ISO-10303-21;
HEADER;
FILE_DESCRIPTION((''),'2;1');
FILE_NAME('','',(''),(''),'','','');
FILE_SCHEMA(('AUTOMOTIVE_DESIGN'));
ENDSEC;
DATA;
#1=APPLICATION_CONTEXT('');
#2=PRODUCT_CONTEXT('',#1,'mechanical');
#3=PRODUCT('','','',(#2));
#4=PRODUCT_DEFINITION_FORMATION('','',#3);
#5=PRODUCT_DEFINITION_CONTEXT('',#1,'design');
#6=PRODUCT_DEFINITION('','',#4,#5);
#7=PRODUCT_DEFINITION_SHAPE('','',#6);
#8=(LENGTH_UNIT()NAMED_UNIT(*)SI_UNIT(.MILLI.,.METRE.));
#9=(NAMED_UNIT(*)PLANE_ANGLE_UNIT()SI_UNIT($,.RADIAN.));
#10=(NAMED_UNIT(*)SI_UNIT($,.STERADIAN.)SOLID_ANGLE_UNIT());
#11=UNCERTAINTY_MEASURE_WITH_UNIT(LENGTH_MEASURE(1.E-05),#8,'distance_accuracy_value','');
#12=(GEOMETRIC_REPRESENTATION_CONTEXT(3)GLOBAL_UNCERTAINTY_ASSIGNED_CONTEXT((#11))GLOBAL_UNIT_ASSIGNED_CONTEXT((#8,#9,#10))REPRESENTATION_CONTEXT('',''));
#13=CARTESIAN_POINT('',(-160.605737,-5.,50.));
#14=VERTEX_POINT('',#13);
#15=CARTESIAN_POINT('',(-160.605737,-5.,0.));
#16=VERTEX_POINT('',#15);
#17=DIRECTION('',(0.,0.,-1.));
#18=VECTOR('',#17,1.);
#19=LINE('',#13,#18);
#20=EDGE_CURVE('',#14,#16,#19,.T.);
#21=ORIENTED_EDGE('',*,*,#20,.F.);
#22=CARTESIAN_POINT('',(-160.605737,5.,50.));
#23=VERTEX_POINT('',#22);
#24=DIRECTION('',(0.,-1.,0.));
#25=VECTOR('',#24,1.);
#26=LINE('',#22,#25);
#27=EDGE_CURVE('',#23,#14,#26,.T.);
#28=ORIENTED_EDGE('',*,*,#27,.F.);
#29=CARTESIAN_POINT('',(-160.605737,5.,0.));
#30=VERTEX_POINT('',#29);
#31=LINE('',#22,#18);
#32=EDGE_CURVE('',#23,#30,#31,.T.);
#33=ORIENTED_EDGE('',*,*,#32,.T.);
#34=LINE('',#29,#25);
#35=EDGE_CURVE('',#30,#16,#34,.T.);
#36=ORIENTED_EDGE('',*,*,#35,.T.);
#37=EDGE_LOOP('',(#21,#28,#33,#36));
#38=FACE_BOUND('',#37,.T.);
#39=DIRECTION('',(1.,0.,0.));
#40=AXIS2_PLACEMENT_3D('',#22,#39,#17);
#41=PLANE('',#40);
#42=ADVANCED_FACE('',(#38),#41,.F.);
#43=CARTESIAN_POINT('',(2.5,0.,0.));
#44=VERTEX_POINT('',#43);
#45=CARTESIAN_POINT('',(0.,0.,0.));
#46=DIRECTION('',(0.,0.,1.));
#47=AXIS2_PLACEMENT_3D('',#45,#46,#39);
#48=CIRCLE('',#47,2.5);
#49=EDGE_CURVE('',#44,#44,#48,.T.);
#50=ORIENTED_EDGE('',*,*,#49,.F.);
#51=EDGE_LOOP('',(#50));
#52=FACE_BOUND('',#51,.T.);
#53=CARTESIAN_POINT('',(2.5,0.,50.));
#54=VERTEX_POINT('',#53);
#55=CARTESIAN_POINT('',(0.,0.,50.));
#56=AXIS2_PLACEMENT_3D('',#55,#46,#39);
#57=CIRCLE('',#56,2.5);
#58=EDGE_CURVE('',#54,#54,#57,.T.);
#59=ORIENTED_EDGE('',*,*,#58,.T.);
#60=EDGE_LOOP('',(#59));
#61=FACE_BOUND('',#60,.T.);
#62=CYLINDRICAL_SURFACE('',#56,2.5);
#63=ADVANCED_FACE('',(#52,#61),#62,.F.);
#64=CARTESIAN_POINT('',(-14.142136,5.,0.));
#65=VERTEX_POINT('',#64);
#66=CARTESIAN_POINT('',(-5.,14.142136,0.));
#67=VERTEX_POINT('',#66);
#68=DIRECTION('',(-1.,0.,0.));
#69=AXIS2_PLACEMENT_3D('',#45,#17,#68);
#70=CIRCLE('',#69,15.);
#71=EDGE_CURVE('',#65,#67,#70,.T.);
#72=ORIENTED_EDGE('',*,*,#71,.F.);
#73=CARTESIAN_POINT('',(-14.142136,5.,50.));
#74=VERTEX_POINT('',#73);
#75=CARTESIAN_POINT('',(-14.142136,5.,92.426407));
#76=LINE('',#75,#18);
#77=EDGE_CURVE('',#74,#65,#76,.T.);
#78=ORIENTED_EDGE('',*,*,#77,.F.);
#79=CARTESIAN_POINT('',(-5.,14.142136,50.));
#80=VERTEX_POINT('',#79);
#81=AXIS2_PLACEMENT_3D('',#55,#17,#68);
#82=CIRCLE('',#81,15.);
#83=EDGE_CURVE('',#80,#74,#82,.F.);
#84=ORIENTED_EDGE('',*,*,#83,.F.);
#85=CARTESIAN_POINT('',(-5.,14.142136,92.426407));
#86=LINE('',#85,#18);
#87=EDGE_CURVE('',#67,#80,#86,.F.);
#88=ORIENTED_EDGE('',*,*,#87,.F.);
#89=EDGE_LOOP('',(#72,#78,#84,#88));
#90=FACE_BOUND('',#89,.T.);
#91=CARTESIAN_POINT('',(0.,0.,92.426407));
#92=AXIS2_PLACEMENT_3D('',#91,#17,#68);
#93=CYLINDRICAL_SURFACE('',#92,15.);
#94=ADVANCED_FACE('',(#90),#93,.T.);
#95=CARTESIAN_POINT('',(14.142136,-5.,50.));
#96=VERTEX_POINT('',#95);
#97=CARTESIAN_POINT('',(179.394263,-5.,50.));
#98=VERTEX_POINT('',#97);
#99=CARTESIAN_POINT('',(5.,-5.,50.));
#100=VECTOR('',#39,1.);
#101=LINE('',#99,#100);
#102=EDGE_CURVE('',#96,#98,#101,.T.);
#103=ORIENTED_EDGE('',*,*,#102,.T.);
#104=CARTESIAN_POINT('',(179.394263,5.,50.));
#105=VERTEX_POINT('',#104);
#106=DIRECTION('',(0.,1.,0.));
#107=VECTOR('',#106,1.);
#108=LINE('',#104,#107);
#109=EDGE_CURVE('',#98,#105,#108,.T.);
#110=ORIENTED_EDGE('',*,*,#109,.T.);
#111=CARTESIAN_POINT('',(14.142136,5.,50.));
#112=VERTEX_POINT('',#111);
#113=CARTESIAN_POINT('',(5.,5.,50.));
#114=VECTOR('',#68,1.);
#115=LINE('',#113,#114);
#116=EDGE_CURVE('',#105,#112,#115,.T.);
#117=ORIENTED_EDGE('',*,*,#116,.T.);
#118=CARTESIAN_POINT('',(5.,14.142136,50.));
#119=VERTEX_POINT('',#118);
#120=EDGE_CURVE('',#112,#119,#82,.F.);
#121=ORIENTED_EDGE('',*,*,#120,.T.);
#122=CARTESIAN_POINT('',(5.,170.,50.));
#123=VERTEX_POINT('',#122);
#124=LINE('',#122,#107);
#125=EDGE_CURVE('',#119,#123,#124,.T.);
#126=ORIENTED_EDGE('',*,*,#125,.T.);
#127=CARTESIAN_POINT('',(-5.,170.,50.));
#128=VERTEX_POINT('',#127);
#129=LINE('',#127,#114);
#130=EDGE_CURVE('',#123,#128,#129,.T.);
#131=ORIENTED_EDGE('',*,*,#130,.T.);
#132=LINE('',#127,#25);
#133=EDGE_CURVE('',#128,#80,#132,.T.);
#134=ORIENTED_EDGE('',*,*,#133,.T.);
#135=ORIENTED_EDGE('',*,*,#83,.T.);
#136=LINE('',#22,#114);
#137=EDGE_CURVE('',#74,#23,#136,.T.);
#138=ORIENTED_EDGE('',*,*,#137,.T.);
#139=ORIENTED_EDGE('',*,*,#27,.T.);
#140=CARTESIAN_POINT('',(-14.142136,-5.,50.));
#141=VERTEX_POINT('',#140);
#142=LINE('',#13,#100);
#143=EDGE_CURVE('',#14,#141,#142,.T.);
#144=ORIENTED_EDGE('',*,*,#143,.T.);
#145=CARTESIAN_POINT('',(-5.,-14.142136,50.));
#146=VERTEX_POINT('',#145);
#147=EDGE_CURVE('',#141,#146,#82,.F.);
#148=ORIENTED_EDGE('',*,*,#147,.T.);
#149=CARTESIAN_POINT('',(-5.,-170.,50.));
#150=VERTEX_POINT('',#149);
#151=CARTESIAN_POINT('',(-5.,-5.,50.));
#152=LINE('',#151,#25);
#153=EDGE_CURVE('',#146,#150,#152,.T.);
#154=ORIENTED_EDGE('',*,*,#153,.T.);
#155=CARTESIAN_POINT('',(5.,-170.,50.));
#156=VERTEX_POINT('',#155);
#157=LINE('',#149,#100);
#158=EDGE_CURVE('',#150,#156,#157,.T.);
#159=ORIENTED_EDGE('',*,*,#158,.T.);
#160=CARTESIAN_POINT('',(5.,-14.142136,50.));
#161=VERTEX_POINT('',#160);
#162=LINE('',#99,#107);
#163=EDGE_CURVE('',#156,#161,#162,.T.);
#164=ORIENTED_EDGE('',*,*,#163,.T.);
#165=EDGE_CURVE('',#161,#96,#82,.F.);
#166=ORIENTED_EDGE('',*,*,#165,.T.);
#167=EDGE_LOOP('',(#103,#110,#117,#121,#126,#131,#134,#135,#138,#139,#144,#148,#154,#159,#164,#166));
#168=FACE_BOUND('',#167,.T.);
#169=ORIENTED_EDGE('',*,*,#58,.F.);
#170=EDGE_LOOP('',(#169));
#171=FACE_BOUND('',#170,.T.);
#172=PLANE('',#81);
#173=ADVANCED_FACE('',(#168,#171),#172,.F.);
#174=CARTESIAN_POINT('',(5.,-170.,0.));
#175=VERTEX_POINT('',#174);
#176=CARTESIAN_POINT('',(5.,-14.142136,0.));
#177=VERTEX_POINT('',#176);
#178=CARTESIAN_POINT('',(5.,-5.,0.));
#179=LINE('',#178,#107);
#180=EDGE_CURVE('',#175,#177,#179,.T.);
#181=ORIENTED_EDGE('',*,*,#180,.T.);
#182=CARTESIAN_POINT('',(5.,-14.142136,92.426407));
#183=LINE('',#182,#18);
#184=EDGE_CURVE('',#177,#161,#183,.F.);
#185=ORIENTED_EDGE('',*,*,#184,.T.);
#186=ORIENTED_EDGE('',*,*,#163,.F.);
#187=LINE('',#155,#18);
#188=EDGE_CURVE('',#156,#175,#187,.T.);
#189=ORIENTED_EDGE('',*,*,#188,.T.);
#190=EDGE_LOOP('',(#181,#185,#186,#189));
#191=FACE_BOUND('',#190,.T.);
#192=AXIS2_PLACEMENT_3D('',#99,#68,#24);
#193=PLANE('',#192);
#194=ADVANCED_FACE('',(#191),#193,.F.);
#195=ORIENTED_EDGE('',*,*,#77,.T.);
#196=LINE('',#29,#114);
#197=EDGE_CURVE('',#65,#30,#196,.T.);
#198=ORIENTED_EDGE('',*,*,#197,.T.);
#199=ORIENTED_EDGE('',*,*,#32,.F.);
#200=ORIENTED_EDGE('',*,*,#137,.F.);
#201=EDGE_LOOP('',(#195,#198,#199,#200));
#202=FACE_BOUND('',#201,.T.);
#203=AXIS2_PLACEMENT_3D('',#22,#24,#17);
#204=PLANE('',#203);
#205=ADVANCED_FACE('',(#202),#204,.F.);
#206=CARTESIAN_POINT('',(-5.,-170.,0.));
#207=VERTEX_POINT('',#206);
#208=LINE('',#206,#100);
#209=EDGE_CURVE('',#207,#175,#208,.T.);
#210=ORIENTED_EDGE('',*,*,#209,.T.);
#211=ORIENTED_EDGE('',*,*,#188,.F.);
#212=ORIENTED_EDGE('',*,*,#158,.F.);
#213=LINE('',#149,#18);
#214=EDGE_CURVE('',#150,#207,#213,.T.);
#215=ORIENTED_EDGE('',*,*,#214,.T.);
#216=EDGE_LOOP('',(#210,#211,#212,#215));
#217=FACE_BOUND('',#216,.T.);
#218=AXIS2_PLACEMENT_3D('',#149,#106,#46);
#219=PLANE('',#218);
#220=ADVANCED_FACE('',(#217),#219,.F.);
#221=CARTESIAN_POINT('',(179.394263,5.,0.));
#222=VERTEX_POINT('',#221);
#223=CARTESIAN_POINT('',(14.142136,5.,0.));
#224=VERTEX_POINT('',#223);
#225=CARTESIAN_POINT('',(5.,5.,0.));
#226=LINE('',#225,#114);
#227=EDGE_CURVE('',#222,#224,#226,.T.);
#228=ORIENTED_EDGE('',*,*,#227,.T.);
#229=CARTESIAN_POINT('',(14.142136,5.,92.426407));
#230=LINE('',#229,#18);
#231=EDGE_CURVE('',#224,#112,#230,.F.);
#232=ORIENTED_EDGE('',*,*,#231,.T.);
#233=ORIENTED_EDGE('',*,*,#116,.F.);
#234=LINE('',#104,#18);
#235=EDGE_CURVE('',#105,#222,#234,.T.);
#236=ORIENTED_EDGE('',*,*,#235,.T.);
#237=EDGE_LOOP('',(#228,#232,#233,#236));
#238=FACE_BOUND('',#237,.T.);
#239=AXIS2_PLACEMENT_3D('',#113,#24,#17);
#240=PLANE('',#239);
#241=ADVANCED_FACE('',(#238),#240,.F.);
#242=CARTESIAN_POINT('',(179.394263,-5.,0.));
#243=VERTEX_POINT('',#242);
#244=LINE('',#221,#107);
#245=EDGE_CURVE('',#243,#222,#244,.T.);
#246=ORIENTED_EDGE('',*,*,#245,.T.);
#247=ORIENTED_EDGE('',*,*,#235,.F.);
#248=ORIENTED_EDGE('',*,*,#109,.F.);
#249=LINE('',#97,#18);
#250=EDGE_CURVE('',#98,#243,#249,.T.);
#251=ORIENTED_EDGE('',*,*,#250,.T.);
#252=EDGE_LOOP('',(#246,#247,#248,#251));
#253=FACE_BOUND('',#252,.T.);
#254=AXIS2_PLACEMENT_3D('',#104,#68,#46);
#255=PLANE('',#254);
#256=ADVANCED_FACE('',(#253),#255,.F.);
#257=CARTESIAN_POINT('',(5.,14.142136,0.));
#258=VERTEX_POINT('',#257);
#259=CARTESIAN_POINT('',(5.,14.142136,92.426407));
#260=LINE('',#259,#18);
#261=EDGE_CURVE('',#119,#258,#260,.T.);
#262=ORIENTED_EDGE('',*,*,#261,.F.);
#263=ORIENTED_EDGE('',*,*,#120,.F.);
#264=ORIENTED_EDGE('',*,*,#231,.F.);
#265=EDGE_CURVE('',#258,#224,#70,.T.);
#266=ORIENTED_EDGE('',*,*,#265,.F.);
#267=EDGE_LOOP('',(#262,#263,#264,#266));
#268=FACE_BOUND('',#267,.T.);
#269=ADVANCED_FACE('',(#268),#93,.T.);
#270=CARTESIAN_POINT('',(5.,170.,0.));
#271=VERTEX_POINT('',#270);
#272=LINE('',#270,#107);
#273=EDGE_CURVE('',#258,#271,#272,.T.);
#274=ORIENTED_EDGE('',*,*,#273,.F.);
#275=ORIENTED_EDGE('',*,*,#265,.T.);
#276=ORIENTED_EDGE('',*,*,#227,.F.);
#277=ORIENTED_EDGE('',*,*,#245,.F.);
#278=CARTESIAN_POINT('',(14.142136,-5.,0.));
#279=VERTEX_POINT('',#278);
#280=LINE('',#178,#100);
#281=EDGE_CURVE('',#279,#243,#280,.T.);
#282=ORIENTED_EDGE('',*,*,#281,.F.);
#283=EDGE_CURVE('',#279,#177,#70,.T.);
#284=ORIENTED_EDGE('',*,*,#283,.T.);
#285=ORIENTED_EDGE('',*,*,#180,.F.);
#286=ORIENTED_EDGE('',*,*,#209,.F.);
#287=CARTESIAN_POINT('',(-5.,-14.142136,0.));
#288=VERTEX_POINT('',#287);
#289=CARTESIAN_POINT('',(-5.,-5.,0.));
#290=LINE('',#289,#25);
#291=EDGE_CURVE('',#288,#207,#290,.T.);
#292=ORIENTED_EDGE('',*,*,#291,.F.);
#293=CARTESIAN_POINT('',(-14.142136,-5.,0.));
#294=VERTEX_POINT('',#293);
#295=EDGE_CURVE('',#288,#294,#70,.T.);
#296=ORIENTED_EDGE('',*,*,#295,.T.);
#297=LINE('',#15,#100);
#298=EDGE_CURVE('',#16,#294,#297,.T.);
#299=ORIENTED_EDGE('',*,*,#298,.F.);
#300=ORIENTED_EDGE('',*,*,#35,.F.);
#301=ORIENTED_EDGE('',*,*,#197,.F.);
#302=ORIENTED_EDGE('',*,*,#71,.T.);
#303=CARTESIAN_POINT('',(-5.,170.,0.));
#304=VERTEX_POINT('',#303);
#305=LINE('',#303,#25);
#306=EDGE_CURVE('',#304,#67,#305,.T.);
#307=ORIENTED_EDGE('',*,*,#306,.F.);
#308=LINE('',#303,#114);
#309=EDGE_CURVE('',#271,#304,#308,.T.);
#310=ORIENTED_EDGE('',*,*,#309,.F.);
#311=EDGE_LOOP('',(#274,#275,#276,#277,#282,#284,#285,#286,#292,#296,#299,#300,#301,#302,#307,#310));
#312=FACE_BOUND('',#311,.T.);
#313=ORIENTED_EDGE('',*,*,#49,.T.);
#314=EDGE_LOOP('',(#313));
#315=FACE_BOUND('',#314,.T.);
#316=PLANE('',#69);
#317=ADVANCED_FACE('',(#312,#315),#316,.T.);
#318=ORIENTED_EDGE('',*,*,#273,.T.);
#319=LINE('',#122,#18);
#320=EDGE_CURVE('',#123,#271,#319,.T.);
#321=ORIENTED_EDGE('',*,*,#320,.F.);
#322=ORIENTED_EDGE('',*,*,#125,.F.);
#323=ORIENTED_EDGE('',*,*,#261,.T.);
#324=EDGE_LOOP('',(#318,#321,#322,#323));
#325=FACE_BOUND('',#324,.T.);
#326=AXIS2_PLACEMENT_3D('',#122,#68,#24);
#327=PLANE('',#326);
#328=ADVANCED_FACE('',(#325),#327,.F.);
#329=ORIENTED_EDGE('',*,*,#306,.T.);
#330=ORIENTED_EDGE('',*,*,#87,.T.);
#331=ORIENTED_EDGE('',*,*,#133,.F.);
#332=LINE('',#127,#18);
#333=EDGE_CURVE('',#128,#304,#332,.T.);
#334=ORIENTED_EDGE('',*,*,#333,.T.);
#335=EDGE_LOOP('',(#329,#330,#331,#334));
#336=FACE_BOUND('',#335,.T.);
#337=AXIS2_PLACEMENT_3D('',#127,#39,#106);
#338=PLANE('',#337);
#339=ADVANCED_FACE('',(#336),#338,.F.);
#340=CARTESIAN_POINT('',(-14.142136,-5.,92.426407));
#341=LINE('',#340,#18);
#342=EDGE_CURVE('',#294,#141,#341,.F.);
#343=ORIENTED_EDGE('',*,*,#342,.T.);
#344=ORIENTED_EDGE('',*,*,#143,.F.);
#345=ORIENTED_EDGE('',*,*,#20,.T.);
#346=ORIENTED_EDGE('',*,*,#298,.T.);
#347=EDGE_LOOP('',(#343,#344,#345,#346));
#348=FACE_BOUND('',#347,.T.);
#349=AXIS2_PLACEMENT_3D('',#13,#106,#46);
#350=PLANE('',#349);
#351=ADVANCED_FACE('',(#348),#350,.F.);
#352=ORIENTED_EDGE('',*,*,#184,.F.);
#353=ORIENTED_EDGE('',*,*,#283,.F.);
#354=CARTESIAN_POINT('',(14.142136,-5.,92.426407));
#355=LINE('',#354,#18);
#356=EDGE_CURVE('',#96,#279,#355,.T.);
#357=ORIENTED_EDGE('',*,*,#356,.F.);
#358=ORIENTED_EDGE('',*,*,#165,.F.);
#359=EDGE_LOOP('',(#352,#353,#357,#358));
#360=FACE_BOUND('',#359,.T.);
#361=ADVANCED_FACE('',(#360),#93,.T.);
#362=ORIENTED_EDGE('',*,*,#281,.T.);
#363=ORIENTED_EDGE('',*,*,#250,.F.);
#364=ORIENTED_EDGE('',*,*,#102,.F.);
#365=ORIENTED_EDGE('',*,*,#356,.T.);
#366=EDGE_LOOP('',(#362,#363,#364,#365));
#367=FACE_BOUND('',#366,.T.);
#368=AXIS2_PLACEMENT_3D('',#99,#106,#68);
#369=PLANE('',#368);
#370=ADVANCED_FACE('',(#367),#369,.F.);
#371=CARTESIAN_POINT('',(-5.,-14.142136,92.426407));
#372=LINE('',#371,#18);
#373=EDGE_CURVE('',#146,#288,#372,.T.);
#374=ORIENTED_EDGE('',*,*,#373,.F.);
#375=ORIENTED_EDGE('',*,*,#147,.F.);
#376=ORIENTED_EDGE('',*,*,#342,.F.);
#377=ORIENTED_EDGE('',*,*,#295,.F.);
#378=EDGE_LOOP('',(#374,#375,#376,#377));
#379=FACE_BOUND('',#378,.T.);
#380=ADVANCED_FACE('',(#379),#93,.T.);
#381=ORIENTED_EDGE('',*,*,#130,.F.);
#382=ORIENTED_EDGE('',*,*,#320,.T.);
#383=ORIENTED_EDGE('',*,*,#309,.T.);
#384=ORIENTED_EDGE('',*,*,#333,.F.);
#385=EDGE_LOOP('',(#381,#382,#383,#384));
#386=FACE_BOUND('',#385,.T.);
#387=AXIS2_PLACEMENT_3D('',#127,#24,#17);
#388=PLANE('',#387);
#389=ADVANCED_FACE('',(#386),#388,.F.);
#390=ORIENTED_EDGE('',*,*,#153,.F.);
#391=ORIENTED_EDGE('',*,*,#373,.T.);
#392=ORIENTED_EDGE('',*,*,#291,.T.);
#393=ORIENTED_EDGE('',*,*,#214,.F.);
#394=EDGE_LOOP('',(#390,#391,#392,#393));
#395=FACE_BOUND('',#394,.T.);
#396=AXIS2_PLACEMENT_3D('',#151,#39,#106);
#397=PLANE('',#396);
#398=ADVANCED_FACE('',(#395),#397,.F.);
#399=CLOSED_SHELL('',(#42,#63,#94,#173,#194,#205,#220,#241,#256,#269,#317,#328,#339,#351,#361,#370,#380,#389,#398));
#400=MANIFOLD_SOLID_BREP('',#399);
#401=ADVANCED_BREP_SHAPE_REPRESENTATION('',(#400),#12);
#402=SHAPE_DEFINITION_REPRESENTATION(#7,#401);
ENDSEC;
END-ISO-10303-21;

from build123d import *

# Parameters (mm, degrees)
BOSS_EXTRUDE2_DEPTH      = 50
SKETCH2_R                = 15
BOSS_EXTRUDE3_DEPTH      = 50
F_5_0_5_DIAMETER_HOLE1_D = 5


with BuildPart() as part:
    # Sketch1 → Boss-Extrude2 (new body)
    with BuildSketch(Plane.XY):
        Polygon((-160.605737387, 5), (-5, 5), (-5, 170), (5, 170), (5, 5), (179.394262613, 5), (179.394262613, -5), (5, -5), (5, -170), (-5, -170), (-5, -5), (-160.605737387, -5), align=None)
    extrude(amount=BOSS_EXTRUDE2_DEPTH)

    # Sketch2 → Boss-Extrude3 (add)
    with BuildSketch(Plane(origin=(0, 0, 0), x_dir=(-1, 0, 0), z_dir=(0, 0, -1))):
        Circle(SKETCH2_R)
    extrude(amount=-BOSS_EXTRUDE3_DEPTH)

    # Ø5.0 (5) Diameter Hole1 (through all)
    with Locations(Plane.XY.offset(50)):
        with Locations((0, 0)):
            Hole(F_5_0_5_DIAMETER_HOLE1_D / 2)


solid = part.part
